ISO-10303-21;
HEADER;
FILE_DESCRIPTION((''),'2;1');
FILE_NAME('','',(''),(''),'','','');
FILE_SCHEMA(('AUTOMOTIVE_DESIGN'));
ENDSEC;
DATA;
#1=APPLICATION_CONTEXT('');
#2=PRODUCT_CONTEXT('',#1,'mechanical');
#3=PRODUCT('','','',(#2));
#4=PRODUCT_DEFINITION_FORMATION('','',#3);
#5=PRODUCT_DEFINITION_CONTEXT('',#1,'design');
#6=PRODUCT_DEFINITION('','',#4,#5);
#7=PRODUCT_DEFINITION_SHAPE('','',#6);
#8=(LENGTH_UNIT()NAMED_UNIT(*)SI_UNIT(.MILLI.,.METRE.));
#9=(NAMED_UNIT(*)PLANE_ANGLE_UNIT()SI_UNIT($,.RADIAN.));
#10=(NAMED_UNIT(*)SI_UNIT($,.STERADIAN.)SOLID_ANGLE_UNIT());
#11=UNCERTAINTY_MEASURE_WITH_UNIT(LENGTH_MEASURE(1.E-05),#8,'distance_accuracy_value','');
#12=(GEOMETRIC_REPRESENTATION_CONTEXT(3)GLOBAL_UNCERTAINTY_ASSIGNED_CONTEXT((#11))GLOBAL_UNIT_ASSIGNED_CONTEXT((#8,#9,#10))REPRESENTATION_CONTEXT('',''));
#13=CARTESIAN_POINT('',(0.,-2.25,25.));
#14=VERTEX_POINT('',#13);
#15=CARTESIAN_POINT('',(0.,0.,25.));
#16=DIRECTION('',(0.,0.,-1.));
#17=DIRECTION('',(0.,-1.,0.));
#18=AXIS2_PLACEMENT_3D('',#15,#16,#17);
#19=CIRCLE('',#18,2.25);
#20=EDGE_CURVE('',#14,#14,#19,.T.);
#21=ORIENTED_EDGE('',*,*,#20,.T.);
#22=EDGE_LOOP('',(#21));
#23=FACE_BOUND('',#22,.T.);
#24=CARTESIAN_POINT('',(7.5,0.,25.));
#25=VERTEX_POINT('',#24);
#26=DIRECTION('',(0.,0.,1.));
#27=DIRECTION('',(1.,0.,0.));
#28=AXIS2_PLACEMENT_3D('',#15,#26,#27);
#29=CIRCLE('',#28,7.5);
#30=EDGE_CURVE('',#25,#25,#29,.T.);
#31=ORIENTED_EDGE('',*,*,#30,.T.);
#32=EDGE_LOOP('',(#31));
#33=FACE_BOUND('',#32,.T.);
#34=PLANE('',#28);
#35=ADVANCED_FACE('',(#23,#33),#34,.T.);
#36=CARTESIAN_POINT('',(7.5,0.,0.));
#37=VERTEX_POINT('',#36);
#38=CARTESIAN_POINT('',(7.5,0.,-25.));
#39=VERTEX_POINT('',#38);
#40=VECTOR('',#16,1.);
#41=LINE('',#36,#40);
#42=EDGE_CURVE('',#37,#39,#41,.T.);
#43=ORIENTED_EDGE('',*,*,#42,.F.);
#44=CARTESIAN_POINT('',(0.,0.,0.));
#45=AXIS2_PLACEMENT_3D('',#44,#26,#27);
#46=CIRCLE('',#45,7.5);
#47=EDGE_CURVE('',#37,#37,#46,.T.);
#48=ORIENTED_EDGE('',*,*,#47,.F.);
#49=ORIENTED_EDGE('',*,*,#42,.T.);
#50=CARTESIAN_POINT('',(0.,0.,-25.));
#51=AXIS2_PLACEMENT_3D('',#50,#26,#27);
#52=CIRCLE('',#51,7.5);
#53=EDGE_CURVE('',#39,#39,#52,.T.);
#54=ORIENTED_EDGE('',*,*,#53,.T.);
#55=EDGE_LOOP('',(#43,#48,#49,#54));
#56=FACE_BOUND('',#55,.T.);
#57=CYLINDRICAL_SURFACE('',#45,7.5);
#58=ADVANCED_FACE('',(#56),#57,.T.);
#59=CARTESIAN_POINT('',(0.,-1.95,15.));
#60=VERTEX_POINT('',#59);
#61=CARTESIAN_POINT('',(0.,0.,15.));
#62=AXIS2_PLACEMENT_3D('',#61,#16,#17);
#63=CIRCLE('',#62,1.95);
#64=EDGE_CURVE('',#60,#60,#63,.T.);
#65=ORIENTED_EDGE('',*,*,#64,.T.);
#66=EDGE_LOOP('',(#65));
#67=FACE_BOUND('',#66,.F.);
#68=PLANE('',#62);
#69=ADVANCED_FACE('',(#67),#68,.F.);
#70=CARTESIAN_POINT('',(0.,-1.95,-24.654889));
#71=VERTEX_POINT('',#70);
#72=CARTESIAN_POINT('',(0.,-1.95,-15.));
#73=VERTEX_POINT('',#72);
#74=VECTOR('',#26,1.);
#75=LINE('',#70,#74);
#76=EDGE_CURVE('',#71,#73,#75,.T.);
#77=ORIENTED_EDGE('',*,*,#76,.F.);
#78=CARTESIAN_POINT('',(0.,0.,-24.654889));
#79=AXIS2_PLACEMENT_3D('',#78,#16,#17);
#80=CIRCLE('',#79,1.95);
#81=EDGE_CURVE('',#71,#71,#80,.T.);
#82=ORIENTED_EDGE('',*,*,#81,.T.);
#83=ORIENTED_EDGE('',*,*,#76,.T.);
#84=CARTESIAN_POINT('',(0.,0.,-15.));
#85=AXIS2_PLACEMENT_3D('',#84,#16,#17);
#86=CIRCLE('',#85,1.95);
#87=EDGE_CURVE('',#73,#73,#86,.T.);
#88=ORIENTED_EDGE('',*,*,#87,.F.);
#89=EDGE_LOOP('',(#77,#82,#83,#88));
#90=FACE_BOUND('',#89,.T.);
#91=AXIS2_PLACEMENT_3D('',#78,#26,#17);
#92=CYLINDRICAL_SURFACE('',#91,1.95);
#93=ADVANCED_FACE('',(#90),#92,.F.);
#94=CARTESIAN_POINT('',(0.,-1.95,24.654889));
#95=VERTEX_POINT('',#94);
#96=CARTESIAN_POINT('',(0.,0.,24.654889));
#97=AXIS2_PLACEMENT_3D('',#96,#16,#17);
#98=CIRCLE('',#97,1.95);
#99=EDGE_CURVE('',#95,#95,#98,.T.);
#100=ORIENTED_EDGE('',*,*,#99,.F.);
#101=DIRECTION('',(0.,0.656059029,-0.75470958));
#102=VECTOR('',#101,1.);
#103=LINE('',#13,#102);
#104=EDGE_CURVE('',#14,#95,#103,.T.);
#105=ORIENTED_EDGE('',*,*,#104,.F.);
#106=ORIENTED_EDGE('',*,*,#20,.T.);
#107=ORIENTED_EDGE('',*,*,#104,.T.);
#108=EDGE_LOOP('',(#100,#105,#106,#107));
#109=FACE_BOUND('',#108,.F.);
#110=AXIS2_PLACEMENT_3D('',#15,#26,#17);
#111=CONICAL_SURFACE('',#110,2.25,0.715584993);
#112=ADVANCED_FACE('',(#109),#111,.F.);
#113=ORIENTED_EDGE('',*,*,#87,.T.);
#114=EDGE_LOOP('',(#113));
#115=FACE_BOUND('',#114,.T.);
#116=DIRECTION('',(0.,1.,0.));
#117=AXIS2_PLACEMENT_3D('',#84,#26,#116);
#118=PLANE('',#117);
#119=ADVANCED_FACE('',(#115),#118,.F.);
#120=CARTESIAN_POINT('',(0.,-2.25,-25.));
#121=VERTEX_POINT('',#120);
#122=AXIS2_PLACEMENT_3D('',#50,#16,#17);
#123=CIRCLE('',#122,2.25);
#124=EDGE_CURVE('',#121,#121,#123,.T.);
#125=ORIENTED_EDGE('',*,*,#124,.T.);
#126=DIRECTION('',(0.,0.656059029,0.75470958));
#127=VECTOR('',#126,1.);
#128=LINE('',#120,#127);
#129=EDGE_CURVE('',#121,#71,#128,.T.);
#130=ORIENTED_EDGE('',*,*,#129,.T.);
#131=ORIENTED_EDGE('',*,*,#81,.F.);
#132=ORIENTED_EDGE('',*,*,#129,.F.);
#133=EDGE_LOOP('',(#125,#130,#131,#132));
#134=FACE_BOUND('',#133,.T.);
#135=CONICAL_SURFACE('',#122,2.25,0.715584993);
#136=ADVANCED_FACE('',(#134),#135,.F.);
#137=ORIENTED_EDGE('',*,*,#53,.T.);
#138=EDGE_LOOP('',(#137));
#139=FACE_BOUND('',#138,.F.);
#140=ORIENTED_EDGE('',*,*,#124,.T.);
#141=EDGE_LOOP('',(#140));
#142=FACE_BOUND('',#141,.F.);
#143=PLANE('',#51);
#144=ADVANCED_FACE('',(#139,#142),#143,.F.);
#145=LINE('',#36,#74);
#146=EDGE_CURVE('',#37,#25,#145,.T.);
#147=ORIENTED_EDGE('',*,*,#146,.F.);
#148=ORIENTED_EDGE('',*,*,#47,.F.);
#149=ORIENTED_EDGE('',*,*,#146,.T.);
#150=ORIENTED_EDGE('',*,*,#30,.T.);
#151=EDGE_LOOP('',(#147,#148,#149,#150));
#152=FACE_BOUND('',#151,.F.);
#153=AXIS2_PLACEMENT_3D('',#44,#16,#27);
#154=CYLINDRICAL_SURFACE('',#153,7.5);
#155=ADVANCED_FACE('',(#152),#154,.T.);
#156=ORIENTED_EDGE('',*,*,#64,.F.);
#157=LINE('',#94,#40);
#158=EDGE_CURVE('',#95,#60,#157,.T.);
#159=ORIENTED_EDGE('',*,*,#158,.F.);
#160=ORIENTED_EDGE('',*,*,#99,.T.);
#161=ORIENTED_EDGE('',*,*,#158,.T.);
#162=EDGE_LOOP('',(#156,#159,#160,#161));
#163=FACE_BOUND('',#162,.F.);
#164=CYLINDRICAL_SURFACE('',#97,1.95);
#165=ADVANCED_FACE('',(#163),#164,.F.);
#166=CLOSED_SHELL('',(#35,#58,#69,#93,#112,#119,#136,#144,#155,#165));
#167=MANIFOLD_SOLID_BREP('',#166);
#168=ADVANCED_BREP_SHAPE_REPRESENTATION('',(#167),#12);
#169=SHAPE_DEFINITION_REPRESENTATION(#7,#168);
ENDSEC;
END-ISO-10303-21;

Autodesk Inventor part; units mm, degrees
ref_plane "YZ Plane" through (0, 0, 0) normal (1, 0, 0) x (0, 1, 0)
ref_plane "XZ Plane" through (0, 0, 0) normal (0, 1, 0) x (-1, 0, 0)
ref_plane "XY Plane" through (0, 0, 0) normal (0, 0, 1) x (1, 0, 0)
sketch "Эскиз1" plane through (0, 0, 0) normal (0, 0, 1) x (1, 0, 0)
  circle A0 centre (0, 0) radius 7.5
  dimension "d0" = 15
extrude "Выдавливание1" add sketch "Эскиз1" along normal mid plane 50
sketch "Эскиз2" plane through (0, 0, 25) normal (0, 0, 1) x (1, 0, 0)
  point P0 (0, 0)
hole "Отверстие1" at (0, 0, 25) direction (0, 0, -1) diameter 3.9 depth 10 countersink diameter 4.5 countersink angle 82
mirror "Зеркальное отражение1" about plane through (0, 0, 0) normal (0, 0, 1) of "Отверстие1"
properties part number "Стойка" material "По умолчанию1"
